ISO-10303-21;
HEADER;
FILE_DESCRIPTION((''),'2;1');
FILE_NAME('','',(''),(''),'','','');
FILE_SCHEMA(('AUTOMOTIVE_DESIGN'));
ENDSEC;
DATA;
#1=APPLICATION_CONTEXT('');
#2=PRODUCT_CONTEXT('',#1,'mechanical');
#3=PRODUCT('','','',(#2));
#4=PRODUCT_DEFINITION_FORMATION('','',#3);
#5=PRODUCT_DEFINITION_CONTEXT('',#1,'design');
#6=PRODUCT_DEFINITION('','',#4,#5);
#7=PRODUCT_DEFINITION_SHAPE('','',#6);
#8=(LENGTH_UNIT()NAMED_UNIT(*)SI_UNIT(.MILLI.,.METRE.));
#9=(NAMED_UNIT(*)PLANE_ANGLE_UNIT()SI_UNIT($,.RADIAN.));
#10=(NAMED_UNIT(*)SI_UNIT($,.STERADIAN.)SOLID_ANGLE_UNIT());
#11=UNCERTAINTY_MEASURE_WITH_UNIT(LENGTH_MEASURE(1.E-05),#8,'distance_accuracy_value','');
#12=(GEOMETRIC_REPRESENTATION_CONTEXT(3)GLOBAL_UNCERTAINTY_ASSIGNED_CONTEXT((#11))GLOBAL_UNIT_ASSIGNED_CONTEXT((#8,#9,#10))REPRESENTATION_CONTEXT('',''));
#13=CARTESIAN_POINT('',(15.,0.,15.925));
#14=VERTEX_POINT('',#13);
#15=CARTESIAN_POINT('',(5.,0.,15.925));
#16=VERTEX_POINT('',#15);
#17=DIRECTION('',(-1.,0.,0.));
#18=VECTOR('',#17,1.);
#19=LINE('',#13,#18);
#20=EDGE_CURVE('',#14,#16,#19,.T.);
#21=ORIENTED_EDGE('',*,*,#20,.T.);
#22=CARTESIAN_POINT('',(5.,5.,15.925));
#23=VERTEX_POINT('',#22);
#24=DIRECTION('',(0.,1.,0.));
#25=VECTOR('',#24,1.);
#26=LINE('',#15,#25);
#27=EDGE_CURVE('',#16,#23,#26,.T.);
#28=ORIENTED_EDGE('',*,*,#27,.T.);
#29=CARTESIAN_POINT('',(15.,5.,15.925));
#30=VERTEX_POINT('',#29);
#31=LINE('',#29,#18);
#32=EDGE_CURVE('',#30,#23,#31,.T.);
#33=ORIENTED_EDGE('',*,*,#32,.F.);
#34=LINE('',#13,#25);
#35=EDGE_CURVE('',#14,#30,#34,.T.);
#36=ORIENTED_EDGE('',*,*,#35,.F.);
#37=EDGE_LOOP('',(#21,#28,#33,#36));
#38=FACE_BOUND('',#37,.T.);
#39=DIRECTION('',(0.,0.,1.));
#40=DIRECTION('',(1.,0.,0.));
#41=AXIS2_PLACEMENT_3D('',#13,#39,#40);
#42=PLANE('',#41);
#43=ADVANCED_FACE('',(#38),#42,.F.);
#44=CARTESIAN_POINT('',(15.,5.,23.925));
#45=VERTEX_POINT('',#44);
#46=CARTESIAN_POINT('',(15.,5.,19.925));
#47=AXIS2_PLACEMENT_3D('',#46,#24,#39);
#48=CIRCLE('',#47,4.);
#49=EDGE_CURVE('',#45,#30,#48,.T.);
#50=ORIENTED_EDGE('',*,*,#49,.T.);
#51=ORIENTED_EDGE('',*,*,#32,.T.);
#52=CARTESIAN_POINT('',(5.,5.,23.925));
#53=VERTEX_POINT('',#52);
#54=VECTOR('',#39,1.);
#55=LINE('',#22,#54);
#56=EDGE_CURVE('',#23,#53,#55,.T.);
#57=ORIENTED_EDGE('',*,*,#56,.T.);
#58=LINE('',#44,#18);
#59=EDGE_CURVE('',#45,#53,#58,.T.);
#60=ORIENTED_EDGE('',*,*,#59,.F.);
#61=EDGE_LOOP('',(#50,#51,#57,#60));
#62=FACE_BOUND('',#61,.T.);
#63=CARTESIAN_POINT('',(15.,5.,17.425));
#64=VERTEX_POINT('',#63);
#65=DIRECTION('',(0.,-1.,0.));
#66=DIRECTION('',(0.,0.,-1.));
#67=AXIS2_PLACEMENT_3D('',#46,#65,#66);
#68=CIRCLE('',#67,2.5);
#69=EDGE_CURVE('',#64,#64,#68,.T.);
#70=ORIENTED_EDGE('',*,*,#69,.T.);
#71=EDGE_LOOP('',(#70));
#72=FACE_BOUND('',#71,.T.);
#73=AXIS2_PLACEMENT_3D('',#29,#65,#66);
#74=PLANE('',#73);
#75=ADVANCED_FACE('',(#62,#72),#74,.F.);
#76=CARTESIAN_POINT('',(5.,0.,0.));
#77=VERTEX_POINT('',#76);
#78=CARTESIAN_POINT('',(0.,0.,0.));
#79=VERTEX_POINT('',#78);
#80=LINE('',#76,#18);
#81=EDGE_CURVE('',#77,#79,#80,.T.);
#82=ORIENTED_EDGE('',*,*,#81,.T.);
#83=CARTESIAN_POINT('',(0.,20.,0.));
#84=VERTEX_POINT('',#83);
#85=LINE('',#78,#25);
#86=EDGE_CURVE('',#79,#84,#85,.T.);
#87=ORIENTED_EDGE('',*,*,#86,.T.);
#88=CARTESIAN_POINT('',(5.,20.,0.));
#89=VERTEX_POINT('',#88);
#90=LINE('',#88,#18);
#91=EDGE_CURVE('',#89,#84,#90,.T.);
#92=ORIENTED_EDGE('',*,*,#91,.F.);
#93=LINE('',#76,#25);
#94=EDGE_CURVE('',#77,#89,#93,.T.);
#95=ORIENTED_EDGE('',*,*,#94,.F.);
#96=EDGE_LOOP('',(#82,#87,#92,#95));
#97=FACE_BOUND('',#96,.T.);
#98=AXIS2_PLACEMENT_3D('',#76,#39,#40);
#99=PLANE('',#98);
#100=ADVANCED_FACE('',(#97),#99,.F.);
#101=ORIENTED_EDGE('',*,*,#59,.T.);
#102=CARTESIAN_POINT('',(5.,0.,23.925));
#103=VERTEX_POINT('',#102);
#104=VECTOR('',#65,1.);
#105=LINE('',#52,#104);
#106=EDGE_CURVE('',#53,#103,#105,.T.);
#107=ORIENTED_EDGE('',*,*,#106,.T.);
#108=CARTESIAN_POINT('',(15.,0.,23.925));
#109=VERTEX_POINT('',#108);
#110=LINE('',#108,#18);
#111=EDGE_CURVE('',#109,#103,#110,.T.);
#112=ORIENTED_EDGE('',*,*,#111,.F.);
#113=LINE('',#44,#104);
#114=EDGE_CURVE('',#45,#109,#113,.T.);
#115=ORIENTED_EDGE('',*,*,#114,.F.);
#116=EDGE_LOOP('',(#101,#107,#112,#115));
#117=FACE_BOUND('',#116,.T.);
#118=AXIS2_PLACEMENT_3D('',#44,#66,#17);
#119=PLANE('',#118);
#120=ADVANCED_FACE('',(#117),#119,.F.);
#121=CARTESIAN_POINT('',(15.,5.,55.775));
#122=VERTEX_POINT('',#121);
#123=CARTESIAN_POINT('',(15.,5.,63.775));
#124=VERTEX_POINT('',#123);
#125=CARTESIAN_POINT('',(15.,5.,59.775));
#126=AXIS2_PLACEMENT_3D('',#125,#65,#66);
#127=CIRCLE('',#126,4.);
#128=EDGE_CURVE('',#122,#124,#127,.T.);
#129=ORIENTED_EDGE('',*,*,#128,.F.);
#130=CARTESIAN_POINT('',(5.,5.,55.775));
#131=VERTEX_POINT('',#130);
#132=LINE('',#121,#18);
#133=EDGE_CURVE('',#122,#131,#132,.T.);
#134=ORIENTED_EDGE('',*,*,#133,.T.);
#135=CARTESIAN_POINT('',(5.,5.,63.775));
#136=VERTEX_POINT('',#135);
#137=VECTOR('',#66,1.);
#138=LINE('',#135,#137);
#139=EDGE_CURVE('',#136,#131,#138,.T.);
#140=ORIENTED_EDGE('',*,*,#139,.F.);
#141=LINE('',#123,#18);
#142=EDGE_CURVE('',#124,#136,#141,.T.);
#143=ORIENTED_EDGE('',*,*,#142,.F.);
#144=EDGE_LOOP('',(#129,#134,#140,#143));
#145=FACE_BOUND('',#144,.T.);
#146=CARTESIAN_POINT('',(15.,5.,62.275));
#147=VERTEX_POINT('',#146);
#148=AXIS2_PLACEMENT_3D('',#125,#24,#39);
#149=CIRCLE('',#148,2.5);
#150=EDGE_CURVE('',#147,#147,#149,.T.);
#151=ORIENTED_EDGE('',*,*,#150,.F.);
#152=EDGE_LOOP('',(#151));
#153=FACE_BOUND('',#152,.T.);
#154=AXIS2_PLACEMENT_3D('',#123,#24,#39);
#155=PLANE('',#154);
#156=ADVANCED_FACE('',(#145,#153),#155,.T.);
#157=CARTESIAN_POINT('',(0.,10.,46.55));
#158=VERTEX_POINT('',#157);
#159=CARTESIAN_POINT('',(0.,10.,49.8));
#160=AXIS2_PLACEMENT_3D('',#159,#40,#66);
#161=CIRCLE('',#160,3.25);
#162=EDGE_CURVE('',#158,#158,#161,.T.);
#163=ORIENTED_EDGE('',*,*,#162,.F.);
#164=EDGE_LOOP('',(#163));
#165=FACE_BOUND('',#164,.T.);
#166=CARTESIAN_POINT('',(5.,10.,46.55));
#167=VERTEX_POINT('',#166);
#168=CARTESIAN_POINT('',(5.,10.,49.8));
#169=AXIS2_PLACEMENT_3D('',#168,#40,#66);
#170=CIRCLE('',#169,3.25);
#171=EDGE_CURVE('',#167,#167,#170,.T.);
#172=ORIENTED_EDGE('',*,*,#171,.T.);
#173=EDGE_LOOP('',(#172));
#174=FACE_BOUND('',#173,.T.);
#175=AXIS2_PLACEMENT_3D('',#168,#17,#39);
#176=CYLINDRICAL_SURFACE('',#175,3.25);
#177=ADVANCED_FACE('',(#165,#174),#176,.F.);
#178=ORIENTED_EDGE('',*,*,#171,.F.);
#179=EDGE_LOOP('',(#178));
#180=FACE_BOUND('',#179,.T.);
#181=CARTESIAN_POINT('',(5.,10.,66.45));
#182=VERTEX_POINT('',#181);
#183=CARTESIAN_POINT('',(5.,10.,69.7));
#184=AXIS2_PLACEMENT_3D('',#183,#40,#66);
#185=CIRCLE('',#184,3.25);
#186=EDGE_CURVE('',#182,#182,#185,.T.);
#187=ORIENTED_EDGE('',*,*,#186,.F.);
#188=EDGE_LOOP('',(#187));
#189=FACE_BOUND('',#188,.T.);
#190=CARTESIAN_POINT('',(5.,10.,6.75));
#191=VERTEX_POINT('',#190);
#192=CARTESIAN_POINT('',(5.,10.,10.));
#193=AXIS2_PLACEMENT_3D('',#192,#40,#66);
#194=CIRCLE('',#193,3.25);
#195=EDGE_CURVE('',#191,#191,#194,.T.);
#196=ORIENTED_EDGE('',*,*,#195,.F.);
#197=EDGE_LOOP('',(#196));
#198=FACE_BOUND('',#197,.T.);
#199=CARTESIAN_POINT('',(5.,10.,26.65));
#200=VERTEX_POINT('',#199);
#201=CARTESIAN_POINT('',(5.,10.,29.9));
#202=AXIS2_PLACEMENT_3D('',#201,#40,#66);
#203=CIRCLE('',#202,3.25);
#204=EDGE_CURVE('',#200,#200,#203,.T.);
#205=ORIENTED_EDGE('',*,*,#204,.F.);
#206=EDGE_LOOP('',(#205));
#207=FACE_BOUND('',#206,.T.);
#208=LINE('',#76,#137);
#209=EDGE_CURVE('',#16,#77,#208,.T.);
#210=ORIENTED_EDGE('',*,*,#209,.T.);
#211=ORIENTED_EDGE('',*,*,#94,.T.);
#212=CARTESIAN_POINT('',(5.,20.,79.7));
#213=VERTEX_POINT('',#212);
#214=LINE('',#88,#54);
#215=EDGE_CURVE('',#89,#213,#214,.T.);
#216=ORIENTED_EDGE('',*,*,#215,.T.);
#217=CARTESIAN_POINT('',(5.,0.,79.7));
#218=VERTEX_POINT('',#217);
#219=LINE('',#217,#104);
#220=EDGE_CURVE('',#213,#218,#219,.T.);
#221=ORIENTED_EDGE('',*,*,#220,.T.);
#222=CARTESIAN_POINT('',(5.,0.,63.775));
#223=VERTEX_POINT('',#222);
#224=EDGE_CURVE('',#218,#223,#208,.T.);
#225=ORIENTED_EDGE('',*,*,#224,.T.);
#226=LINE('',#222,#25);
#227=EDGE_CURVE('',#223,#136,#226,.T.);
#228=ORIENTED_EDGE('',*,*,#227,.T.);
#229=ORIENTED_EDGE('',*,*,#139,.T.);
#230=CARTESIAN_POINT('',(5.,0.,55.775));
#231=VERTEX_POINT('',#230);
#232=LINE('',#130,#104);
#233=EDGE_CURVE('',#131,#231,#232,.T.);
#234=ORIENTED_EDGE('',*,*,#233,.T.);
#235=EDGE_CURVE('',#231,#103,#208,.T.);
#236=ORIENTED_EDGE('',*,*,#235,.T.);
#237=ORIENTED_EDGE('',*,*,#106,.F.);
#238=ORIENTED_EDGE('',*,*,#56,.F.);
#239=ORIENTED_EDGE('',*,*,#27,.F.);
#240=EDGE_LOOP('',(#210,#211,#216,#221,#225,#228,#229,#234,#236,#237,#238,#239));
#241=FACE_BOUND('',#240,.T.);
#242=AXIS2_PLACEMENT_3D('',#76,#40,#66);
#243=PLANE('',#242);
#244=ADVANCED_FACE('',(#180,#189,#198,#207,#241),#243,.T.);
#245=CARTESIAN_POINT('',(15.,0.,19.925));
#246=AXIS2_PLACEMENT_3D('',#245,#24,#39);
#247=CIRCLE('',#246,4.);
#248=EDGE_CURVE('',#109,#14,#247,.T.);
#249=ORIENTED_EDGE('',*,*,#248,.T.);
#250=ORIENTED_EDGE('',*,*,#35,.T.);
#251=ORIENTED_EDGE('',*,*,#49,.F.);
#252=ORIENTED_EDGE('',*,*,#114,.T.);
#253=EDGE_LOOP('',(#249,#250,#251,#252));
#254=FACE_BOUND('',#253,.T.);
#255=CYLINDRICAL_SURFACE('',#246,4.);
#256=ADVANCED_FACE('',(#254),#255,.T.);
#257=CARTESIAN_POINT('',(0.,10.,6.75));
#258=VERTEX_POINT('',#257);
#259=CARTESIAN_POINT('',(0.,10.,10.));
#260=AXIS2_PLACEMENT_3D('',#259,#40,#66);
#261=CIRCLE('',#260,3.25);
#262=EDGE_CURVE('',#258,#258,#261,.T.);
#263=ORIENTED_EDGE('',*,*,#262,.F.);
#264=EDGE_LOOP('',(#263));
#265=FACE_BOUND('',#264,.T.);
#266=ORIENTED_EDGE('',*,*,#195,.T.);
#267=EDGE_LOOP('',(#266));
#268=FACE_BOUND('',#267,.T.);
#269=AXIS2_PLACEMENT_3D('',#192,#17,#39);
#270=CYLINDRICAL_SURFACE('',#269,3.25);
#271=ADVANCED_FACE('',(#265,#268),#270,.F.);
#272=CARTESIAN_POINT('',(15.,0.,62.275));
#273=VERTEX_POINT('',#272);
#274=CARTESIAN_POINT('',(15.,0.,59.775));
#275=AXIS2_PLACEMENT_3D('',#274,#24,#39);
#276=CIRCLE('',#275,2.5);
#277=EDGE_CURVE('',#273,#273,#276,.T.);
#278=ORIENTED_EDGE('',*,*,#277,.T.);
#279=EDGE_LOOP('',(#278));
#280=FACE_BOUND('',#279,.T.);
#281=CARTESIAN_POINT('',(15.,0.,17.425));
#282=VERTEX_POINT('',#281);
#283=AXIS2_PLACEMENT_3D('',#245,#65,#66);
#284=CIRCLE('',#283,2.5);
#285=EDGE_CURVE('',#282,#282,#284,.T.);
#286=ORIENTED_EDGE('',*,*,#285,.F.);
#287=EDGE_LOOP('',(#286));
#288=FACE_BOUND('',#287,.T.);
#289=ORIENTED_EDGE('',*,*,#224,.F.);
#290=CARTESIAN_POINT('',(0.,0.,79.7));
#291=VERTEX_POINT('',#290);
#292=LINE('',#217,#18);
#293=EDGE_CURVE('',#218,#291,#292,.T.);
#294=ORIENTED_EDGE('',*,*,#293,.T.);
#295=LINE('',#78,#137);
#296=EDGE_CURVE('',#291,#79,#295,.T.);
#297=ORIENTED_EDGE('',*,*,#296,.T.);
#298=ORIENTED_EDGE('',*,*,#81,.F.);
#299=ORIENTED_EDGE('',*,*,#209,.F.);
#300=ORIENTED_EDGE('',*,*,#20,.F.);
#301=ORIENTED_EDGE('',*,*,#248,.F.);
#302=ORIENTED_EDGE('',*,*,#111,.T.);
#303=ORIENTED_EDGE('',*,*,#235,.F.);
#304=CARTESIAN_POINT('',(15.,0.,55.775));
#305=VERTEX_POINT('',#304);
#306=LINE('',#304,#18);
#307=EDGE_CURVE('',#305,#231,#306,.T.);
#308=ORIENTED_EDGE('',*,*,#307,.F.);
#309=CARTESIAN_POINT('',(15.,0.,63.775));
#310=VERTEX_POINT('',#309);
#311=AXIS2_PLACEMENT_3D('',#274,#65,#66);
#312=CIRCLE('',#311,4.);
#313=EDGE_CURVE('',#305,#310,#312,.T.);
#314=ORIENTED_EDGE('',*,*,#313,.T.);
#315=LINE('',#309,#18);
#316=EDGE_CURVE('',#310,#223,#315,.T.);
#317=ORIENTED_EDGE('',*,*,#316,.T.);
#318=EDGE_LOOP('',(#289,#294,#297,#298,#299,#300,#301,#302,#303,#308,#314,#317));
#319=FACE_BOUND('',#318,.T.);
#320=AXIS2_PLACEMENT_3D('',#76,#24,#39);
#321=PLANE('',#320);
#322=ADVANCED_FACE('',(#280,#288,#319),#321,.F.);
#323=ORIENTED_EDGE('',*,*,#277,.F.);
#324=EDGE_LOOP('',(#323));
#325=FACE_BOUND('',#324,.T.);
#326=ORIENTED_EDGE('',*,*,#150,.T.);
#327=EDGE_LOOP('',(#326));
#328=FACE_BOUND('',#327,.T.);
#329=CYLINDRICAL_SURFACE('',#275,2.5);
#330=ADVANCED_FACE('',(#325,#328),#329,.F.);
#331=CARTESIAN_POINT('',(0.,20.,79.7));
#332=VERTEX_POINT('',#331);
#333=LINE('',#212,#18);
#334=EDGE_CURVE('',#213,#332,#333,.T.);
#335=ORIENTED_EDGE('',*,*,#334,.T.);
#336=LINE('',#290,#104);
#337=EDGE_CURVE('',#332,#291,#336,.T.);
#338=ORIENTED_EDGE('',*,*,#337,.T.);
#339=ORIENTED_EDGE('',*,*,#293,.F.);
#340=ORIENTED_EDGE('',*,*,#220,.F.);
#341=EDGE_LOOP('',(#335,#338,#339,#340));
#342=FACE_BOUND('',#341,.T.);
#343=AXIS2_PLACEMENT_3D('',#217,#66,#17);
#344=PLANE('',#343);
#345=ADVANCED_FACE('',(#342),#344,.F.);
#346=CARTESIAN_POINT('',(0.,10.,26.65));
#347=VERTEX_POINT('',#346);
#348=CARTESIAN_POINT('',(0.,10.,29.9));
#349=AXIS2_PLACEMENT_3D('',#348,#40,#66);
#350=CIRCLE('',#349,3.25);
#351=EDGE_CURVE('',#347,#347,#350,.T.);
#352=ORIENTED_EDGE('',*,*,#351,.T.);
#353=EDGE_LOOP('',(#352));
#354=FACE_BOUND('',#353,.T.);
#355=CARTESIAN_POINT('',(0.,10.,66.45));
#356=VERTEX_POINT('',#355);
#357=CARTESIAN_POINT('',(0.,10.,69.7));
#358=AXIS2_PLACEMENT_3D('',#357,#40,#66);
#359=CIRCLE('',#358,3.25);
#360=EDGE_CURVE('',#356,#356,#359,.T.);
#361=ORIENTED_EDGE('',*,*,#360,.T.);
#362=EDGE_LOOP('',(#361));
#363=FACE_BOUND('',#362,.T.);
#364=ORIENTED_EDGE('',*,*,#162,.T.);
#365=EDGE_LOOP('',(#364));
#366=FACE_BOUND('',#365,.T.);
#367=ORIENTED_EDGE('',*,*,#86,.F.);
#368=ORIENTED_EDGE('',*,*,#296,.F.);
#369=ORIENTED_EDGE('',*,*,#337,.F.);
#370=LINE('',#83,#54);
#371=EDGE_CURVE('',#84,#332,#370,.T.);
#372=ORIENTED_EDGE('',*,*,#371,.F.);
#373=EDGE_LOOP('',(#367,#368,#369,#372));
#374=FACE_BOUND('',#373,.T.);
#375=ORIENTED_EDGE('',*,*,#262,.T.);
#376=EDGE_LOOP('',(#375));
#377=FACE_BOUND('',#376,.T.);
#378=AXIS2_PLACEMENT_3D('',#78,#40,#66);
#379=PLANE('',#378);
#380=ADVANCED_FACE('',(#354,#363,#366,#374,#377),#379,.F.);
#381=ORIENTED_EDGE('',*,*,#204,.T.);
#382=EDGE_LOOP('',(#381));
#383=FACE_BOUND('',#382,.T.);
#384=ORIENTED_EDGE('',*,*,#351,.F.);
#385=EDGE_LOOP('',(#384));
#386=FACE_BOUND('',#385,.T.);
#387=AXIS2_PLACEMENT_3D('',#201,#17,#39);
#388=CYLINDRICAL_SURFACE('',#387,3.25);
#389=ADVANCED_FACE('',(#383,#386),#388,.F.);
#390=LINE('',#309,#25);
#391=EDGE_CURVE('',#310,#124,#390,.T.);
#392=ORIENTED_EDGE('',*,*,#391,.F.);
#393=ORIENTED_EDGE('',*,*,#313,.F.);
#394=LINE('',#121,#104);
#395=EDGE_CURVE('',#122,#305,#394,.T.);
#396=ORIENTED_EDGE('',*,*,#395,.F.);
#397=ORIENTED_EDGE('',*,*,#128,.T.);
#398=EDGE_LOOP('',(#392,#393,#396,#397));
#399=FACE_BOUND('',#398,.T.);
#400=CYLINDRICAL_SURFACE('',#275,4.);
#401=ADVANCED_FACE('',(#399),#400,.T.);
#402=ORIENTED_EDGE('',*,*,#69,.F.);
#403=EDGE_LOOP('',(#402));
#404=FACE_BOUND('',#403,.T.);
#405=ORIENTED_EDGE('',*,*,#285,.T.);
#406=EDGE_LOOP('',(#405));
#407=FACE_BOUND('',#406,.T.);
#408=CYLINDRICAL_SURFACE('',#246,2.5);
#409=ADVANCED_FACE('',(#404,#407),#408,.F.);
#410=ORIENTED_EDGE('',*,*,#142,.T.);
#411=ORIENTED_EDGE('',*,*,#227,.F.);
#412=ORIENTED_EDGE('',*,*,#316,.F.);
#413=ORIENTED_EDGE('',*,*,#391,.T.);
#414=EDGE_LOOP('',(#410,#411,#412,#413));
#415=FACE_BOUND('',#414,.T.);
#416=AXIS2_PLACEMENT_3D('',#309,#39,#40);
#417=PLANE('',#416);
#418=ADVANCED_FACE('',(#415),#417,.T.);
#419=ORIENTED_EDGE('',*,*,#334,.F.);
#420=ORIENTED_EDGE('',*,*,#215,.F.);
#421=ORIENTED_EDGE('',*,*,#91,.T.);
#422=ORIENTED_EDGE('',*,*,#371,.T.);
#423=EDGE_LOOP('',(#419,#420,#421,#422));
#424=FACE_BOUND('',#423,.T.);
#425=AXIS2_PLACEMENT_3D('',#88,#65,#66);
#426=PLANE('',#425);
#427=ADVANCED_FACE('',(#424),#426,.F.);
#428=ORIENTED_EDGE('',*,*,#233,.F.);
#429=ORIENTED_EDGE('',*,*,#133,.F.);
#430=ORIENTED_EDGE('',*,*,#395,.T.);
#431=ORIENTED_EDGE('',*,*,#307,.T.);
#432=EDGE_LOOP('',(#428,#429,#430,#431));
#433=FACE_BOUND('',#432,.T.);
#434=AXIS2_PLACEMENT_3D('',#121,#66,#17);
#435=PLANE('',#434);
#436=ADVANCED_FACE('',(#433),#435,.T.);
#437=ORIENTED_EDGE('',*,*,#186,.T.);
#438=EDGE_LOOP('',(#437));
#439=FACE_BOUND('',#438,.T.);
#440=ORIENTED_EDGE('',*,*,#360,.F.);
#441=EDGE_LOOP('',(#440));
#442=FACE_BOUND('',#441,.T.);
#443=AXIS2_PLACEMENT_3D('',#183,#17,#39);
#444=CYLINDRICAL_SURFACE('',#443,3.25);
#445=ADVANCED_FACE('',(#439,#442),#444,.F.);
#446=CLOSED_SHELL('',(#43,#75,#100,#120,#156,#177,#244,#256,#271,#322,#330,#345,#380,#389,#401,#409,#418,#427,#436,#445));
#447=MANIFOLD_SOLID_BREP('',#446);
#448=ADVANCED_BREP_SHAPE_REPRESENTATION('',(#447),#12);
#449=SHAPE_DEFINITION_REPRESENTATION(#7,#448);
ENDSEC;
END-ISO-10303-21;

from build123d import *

# Parameters (mm, degrees)
SKETCH1_W           = 79.7
SKETCH1_H           = 20
SKETCH1_R           = 3.25
BOSS_EXTRUDE1_DEPTH = 5
SKETCH2_W           = 8
SKETCH2_H           = 5
BOSS_EXTRUDE2_DEPTH = 10
BOSS_EXTRUDE3_DEPTH = 5
SKETCH3_6_R         = 2.5
CUT_EXTRUDE2_DEPTH  = 84.295197941


with BuildPart() as part:
    # Sketch1 → Boss-Extrude1 (new body)
    with BuildSketch(Plane(origin=(0, 0, 0), x_dir=(0, 0, -1), z_dir=(1, 0, 0))):
        with Locations((-39.85, 10)):
            Rectangle(SKETCH1_W, SKETCH1_H)
        with Locations((-29.9, 10)):
            Circle(SKETCH1_R, mode=Mode.SUBTRACT)
        with Locations((-49.8, 10)):
            Circle(SKETCH1_R, mode=Mode.SUBTRACT)
        with Locations((-69.7, 10)):
            Circle(SKETCH1_R, mode=Mode.SUBTRACT)
        with Locations((-10, 10)):
            Circle(SKETCH1_R, mode=Mode.SUBTRACT)
    extrude(amount=BOSS_EXTRUDE1_DEPTH)

    # Sketch2 → Boss-Extrude2 (add)
    with BuildSketch(Plane(origin=(5, 0, 0), x_dir=(0, 0, -1), z_dir=(1, 0, 0))):
        with Locations((-19.925, 2.5)):
            Rectangle(SKETCH2_W, SKETCH2_H)
        with Locations((-59.775, 2.5)):
            Rectangle(SKETCH2_W, SKETCH2_H)
    extrude(amount=BOSS_EXTRUDE2_DEPTH)

    # Sketch3 → Boss-Extrude3 (add)
    with BuildSketch(Plane(origin=(0, 5, 0), x_dir=(1, 0, 0), z_dir=(0, 1, 0))):
        with BuildLine():
            Line((15, -55.775), (15, -63.775))
            ThreePointArc((15, -63.775), (19, -59.775), (15, -55.775))
        make_face()
    boss_extrude3 = extrude(amount=-BOSS_EXTRUDE3_DEPTH)

    # Sketch3<6> → Cut-Extrude2 (cut, through all)
    with BuildSketch(Plane(origin=(0, 5, 0), x_dir=(1, 0, 0), z_dir=(0, 1, 0))):
        with Locations((15, -59.775)):
            Circle(SKETCH3_6_R)
    cut_extrude2 = extrude(amount=-CUT_EXTRUDE2_DEPTH, mode=Mode.SUBTRACT)

    # Mirror1: Boss-Extrude3, Cut-Extrude2 across plane
    add(boss_extrude3.mirror(Plane.XY.offset(39.85)))
    add(cut_extrude2.mirror(Plane.XY.offset(39.85)), mode=Mode.SUBTRACT)


solid = part.part
